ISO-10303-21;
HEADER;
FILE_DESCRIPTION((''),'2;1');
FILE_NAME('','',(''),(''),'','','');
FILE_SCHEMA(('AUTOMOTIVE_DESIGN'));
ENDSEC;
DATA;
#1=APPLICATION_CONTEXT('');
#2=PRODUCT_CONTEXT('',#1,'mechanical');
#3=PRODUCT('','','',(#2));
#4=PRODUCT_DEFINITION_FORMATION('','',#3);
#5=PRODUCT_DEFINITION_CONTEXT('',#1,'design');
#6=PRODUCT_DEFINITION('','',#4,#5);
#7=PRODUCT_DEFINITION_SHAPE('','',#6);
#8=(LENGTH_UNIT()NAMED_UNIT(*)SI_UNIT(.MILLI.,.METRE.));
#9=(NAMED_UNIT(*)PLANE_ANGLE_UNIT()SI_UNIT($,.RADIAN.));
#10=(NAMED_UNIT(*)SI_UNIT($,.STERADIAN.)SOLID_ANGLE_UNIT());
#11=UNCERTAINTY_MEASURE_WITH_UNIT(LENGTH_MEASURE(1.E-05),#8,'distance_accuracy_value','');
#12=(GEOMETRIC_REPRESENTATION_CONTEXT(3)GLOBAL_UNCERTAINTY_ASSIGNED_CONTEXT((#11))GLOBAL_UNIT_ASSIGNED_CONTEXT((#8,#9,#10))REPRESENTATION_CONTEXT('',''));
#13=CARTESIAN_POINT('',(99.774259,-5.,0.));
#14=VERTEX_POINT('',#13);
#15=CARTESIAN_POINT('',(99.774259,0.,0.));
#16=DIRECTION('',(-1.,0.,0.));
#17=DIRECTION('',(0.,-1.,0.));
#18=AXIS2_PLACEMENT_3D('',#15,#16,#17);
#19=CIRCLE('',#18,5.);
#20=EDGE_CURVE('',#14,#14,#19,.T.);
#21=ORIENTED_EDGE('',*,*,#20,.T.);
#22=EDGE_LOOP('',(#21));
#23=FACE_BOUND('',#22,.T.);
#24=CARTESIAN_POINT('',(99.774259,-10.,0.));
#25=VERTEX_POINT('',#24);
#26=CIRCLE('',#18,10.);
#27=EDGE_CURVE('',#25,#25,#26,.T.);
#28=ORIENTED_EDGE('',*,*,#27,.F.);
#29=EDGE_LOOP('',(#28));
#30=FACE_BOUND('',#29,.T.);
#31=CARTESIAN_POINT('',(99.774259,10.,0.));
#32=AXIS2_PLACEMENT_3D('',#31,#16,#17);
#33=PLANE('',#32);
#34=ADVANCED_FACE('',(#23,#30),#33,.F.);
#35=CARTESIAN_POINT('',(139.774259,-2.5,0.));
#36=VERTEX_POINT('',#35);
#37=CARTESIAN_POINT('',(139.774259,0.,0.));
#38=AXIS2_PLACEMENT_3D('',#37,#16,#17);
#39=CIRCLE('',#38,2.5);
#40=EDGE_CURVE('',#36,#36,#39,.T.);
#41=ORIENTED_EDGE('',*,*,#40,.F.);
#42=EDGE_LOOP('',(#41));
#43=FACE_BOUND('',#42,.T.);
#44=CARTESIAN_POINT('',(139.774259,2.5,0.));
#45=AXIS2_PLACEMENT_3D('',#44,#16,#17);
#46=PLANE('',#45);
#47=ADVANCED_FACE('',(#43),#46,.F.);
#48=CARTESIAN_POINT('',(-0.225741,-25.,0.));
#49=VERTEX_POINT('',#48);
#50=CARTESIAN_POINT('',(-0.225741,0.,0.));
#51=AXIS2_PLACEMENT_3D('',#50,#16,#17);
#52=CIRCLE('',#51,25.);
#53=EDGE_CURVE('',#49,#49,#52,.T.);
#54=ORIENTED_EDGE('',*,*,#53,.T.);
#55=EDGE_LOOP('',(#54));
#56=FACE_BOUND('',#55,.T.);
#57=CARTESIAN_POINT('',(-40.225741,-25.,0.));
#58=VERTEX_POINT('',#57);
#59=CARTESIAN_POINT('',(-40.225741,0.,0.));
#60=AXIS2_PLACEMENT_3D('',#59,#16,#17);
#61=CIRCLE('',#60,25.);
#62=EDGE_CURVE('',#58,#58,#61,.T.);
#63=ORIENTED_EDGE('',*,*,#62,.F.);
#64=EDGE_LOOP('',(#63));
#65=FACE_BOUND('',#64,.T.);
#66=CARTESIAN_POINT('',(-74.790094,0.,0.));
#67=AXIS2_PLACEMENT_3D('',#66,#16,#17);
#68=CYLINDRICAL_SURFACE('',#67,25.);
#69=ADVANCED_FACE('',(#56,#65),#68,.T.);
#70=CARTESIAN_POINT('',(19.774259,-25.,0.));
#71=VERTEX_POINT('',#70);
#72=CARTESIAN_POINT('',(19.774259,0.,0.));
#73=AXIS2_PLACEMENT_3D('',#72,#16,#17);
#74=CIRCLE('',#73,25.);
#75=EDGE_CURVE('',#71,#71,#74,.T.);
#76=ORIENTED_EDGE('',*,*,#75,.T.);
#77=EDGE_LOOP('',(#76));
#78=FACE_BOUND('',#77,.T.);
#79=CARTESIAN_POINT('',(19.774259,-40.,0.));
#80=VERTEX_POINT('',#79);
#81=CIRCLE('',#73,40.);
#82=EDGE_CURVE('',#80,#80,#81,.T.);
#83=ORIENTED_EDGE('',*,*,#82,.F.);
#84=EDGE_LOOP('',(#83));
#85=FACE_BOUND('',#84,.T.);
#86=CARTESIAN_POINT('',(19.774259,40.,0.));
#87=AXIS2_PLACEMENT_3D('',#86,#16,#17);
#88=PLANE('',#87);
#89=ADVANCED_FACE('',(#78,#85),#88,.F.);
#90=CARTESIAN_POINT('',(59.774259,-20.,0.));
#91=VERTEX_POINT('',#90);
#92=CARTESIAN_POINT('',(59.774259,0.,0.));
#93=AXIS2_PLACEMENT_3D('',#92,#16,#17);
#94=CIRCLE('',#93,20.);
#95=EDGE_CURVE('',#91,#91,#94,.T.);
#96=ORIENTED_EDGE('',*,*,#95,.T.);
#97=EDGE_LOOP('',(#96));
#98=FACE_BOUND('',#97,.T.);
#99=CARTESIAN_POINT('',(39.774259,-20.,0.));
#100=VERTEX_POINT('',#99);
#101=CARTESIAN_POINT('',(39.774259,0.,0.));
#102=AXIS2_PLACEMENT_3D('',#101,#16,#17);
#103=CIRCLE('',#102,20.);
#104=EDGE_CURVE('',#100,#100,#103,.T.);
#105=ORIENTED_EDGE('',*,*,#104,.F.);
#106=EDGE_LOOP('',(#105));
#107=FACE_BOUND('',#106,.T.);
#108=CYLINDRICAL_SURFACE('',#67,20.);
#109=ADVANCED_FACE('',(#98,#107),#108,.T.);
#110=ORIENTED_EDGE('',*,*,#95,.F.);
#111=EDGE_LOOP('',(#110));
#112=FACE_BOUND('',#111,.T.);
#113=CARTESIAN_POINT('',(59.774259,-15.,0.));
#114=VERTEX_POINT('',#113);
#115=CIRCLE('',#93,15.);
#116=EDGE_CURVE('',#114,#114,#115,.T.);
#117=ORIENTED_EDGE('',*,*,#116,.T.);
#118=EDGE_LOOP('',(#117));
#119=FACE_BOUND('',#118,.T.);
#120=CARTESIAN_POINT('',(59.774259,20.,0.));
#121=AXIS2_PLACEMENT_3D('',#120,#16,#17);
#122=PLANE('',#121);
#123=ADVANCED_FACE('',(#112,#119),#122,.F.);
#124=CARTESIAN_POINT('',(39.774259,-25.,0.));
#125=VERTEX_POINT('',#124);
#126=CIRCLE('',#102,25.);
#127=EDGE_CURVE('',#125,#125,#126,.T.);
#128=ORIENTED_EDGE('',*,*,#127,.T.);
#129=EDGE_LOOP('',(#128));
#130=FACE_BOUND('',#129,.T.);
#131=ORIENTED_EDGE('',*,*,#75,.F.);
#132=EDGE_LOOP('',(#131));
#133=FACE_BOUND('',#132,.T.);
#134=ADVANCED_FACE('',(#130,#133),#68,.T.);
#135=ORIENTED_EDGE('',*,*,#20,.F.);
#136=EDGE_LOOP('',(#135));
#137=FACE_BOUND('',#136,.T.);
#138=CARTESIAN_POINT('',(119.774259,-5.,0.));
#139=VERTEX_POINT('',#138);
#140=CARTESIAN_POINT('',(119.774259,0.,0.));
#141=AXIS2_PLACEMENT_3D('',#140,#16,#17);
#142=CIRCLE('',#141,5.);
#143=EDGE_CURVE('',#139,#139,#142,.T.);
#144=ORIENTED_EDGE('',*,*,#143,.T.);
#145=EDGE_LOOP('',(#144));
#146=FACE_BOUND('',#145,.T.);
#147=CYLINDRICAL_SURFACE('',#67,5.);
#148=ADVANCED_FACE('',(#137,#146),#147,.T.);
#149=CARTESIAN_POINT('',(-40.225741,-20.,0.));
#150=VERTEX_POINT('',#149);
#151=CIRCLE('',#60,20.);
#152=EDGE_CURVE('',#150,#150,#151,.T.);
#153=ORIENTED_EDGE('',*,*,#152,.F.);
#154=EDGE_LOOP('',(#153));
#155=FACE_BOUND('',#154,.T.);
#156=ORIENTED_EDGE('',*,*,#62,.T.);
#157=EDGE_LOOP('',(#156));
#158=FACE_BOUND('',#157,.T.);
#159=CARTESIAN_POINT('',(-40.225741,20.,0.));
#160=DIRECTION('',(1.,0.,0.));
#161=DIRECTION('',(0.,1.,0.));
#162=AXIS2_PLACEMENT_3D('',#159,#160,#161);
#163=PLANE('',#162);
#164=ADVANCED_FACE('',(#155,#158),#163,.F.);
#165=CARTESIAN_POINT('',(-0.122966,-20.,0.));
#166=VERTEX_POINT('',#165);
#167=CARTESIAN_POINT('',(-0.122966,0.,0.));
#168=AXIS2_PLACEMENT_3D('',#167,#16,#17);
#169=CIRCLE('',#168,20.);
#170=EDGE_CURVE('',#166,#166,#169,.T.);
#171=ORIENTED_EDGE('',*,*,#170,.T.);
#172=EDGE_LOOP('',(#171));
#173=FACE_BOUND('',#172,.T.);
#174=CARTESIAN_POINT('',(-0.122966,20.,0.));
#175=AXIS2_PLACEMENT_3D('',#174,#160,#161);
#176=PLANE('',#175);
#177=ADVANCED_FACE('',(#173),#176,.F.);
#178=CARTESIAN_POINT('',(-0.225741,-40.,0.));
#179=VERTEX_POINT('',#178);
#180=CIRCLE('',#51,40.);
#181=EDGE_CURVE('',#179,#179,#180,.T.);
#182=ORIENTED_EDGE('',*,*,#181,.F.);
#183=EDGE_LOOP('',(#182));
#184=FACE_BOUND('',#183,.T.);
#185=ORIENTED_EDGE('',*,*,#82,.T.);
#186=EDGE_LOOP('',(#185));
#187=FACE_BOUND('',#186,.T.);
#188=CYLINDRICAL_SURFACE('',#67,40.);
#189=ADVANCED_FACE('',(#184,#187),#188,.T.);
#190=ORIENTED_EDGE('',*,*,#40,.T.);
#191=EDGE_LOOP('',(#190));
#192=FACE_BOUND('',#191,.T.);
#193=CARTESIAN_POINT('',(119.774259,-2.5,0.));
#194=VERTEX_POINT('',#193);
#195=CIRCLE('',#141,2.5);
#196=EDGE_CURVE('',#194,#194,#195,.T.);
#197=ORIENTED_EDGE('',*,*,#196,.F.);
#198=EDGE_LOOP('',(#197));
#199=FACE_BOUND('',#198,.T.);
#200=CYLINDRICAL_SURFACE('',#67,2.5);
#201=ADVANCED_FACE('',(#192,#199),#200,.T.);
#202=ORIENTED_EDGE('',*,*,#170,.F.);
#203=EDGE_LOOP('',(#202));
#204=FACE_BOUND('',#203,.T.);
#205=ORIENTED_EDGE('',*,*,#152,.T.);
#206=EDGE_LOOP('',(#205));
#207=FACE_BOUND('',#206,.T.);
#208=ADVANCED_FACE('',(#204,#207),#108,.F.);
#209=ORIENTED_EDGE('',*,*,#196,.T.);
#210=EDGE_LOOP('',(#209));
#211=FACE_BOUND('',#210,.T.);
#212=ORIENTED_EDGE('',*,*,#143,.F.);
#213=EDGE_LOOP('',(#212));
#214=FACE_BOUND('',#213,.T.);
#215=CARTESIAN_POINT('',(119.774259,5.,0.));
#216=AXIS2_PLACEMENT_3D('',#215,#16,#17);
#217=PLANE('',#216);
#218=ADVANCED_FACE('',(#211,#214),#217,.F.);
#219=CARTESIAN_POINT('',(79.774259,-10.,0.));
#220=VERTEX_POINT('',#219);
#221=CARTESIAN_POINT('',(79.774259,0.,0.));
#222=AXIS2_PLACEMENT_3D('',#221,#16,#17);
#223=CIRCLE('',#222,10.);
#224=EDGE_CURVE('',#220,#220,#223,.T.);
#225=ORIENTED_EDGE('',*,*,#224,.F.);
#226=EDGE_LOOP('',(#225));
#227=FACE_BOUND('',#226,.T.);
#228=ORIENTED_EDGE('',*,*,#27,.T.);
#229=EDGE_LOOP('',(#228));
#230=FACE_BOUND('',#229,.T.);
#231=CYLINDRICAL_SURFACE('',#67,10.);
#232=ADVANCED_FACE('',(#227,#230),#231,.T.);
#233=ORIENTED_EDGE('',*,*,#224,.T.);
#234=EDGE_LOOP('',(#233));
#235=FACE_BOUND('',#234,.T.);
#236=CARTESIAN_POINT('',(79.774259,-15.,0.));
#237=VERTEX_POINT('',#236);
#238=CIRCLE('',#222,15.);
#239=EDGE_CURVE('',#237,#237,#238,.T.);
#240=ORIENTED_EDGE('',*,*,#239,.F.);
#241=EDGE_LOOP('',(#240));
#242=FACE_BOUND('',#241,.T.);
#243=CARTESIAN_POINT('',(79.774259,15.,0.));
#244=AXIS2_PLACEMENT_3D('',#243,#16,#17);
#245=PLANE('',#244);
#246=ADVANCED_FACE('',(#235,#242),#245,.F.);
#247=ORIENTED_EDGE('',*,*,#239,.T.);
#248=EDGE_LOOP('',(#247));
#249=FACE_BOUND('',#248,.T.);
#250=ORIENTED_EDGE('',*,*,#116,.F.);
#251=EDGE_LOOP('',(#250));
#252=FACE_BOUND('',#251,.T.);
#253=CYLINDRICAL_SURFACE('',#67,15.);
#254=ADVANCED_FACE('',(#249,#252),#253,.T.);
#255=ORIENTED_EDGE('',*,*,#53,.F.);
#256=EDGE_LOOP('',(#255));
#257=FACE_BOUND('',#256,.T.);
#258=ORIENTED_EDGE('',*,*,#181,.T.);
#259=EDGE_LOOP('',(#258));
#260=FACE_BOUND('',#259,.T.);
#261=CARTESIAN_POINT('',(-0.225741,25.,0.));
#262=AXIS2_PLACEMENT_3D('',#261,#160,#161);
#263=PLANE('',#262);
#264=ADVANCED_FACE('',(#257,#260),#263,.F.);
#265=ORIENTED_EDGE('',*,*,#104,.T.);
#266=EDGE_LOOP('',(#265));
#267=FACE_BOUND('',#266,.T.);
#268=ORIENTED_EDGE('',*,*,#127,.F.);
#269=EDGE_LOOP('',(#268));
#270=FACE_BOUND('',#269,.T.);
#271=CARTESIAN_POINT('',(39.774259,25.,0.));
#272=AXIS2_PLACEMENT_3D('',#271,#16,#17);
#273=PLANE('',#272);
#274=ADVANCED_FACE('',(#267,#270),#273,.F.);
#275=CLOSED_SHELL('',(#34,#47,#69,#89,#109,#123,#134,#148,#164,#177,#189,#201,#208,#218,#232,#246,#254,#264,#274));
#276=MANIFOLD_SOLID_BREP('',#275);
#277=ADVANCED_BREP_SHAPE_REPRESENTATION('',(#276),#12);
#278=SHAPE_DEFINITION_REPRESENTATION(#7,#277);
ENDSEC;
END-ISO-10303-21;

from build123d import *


with BuildPart() as part:
    # Sketch1 → Revolve2 (revolve)
    with BuildSketch(Plane.XY, mode=Mode.PRIVATE) as revolve2_sk:
        Polygon((-40.225741407, 20), (-40.225741407, 25), (-0.225741407, 25), (-0.225741407, 40), (19.774258593, 40), (19.774258593, 25), (39.774258593, 25), (39.774258593, 20), (59.774258593, 20), (59.774258593, 15), (79.774258593, 15), (79.774258593, 10), (99.774258593, 10), (99.774258593, 5), (119.774258593, 5), (119.774258593, 2.5), (139.774258593, 2.5), (139.774258593, 0), (-0.122966015, 0), (-0.122966015, 20), align=None)
    revolve(revolve2_sk.sketch.rotate(Axis((-74.790093539, 0, 0), (1, 0, 0)), 180), axis=Axis((-74.790093539, 0, 0), (1, 0, 0)))  # turned: the seam where the file's is


solid = part.part
